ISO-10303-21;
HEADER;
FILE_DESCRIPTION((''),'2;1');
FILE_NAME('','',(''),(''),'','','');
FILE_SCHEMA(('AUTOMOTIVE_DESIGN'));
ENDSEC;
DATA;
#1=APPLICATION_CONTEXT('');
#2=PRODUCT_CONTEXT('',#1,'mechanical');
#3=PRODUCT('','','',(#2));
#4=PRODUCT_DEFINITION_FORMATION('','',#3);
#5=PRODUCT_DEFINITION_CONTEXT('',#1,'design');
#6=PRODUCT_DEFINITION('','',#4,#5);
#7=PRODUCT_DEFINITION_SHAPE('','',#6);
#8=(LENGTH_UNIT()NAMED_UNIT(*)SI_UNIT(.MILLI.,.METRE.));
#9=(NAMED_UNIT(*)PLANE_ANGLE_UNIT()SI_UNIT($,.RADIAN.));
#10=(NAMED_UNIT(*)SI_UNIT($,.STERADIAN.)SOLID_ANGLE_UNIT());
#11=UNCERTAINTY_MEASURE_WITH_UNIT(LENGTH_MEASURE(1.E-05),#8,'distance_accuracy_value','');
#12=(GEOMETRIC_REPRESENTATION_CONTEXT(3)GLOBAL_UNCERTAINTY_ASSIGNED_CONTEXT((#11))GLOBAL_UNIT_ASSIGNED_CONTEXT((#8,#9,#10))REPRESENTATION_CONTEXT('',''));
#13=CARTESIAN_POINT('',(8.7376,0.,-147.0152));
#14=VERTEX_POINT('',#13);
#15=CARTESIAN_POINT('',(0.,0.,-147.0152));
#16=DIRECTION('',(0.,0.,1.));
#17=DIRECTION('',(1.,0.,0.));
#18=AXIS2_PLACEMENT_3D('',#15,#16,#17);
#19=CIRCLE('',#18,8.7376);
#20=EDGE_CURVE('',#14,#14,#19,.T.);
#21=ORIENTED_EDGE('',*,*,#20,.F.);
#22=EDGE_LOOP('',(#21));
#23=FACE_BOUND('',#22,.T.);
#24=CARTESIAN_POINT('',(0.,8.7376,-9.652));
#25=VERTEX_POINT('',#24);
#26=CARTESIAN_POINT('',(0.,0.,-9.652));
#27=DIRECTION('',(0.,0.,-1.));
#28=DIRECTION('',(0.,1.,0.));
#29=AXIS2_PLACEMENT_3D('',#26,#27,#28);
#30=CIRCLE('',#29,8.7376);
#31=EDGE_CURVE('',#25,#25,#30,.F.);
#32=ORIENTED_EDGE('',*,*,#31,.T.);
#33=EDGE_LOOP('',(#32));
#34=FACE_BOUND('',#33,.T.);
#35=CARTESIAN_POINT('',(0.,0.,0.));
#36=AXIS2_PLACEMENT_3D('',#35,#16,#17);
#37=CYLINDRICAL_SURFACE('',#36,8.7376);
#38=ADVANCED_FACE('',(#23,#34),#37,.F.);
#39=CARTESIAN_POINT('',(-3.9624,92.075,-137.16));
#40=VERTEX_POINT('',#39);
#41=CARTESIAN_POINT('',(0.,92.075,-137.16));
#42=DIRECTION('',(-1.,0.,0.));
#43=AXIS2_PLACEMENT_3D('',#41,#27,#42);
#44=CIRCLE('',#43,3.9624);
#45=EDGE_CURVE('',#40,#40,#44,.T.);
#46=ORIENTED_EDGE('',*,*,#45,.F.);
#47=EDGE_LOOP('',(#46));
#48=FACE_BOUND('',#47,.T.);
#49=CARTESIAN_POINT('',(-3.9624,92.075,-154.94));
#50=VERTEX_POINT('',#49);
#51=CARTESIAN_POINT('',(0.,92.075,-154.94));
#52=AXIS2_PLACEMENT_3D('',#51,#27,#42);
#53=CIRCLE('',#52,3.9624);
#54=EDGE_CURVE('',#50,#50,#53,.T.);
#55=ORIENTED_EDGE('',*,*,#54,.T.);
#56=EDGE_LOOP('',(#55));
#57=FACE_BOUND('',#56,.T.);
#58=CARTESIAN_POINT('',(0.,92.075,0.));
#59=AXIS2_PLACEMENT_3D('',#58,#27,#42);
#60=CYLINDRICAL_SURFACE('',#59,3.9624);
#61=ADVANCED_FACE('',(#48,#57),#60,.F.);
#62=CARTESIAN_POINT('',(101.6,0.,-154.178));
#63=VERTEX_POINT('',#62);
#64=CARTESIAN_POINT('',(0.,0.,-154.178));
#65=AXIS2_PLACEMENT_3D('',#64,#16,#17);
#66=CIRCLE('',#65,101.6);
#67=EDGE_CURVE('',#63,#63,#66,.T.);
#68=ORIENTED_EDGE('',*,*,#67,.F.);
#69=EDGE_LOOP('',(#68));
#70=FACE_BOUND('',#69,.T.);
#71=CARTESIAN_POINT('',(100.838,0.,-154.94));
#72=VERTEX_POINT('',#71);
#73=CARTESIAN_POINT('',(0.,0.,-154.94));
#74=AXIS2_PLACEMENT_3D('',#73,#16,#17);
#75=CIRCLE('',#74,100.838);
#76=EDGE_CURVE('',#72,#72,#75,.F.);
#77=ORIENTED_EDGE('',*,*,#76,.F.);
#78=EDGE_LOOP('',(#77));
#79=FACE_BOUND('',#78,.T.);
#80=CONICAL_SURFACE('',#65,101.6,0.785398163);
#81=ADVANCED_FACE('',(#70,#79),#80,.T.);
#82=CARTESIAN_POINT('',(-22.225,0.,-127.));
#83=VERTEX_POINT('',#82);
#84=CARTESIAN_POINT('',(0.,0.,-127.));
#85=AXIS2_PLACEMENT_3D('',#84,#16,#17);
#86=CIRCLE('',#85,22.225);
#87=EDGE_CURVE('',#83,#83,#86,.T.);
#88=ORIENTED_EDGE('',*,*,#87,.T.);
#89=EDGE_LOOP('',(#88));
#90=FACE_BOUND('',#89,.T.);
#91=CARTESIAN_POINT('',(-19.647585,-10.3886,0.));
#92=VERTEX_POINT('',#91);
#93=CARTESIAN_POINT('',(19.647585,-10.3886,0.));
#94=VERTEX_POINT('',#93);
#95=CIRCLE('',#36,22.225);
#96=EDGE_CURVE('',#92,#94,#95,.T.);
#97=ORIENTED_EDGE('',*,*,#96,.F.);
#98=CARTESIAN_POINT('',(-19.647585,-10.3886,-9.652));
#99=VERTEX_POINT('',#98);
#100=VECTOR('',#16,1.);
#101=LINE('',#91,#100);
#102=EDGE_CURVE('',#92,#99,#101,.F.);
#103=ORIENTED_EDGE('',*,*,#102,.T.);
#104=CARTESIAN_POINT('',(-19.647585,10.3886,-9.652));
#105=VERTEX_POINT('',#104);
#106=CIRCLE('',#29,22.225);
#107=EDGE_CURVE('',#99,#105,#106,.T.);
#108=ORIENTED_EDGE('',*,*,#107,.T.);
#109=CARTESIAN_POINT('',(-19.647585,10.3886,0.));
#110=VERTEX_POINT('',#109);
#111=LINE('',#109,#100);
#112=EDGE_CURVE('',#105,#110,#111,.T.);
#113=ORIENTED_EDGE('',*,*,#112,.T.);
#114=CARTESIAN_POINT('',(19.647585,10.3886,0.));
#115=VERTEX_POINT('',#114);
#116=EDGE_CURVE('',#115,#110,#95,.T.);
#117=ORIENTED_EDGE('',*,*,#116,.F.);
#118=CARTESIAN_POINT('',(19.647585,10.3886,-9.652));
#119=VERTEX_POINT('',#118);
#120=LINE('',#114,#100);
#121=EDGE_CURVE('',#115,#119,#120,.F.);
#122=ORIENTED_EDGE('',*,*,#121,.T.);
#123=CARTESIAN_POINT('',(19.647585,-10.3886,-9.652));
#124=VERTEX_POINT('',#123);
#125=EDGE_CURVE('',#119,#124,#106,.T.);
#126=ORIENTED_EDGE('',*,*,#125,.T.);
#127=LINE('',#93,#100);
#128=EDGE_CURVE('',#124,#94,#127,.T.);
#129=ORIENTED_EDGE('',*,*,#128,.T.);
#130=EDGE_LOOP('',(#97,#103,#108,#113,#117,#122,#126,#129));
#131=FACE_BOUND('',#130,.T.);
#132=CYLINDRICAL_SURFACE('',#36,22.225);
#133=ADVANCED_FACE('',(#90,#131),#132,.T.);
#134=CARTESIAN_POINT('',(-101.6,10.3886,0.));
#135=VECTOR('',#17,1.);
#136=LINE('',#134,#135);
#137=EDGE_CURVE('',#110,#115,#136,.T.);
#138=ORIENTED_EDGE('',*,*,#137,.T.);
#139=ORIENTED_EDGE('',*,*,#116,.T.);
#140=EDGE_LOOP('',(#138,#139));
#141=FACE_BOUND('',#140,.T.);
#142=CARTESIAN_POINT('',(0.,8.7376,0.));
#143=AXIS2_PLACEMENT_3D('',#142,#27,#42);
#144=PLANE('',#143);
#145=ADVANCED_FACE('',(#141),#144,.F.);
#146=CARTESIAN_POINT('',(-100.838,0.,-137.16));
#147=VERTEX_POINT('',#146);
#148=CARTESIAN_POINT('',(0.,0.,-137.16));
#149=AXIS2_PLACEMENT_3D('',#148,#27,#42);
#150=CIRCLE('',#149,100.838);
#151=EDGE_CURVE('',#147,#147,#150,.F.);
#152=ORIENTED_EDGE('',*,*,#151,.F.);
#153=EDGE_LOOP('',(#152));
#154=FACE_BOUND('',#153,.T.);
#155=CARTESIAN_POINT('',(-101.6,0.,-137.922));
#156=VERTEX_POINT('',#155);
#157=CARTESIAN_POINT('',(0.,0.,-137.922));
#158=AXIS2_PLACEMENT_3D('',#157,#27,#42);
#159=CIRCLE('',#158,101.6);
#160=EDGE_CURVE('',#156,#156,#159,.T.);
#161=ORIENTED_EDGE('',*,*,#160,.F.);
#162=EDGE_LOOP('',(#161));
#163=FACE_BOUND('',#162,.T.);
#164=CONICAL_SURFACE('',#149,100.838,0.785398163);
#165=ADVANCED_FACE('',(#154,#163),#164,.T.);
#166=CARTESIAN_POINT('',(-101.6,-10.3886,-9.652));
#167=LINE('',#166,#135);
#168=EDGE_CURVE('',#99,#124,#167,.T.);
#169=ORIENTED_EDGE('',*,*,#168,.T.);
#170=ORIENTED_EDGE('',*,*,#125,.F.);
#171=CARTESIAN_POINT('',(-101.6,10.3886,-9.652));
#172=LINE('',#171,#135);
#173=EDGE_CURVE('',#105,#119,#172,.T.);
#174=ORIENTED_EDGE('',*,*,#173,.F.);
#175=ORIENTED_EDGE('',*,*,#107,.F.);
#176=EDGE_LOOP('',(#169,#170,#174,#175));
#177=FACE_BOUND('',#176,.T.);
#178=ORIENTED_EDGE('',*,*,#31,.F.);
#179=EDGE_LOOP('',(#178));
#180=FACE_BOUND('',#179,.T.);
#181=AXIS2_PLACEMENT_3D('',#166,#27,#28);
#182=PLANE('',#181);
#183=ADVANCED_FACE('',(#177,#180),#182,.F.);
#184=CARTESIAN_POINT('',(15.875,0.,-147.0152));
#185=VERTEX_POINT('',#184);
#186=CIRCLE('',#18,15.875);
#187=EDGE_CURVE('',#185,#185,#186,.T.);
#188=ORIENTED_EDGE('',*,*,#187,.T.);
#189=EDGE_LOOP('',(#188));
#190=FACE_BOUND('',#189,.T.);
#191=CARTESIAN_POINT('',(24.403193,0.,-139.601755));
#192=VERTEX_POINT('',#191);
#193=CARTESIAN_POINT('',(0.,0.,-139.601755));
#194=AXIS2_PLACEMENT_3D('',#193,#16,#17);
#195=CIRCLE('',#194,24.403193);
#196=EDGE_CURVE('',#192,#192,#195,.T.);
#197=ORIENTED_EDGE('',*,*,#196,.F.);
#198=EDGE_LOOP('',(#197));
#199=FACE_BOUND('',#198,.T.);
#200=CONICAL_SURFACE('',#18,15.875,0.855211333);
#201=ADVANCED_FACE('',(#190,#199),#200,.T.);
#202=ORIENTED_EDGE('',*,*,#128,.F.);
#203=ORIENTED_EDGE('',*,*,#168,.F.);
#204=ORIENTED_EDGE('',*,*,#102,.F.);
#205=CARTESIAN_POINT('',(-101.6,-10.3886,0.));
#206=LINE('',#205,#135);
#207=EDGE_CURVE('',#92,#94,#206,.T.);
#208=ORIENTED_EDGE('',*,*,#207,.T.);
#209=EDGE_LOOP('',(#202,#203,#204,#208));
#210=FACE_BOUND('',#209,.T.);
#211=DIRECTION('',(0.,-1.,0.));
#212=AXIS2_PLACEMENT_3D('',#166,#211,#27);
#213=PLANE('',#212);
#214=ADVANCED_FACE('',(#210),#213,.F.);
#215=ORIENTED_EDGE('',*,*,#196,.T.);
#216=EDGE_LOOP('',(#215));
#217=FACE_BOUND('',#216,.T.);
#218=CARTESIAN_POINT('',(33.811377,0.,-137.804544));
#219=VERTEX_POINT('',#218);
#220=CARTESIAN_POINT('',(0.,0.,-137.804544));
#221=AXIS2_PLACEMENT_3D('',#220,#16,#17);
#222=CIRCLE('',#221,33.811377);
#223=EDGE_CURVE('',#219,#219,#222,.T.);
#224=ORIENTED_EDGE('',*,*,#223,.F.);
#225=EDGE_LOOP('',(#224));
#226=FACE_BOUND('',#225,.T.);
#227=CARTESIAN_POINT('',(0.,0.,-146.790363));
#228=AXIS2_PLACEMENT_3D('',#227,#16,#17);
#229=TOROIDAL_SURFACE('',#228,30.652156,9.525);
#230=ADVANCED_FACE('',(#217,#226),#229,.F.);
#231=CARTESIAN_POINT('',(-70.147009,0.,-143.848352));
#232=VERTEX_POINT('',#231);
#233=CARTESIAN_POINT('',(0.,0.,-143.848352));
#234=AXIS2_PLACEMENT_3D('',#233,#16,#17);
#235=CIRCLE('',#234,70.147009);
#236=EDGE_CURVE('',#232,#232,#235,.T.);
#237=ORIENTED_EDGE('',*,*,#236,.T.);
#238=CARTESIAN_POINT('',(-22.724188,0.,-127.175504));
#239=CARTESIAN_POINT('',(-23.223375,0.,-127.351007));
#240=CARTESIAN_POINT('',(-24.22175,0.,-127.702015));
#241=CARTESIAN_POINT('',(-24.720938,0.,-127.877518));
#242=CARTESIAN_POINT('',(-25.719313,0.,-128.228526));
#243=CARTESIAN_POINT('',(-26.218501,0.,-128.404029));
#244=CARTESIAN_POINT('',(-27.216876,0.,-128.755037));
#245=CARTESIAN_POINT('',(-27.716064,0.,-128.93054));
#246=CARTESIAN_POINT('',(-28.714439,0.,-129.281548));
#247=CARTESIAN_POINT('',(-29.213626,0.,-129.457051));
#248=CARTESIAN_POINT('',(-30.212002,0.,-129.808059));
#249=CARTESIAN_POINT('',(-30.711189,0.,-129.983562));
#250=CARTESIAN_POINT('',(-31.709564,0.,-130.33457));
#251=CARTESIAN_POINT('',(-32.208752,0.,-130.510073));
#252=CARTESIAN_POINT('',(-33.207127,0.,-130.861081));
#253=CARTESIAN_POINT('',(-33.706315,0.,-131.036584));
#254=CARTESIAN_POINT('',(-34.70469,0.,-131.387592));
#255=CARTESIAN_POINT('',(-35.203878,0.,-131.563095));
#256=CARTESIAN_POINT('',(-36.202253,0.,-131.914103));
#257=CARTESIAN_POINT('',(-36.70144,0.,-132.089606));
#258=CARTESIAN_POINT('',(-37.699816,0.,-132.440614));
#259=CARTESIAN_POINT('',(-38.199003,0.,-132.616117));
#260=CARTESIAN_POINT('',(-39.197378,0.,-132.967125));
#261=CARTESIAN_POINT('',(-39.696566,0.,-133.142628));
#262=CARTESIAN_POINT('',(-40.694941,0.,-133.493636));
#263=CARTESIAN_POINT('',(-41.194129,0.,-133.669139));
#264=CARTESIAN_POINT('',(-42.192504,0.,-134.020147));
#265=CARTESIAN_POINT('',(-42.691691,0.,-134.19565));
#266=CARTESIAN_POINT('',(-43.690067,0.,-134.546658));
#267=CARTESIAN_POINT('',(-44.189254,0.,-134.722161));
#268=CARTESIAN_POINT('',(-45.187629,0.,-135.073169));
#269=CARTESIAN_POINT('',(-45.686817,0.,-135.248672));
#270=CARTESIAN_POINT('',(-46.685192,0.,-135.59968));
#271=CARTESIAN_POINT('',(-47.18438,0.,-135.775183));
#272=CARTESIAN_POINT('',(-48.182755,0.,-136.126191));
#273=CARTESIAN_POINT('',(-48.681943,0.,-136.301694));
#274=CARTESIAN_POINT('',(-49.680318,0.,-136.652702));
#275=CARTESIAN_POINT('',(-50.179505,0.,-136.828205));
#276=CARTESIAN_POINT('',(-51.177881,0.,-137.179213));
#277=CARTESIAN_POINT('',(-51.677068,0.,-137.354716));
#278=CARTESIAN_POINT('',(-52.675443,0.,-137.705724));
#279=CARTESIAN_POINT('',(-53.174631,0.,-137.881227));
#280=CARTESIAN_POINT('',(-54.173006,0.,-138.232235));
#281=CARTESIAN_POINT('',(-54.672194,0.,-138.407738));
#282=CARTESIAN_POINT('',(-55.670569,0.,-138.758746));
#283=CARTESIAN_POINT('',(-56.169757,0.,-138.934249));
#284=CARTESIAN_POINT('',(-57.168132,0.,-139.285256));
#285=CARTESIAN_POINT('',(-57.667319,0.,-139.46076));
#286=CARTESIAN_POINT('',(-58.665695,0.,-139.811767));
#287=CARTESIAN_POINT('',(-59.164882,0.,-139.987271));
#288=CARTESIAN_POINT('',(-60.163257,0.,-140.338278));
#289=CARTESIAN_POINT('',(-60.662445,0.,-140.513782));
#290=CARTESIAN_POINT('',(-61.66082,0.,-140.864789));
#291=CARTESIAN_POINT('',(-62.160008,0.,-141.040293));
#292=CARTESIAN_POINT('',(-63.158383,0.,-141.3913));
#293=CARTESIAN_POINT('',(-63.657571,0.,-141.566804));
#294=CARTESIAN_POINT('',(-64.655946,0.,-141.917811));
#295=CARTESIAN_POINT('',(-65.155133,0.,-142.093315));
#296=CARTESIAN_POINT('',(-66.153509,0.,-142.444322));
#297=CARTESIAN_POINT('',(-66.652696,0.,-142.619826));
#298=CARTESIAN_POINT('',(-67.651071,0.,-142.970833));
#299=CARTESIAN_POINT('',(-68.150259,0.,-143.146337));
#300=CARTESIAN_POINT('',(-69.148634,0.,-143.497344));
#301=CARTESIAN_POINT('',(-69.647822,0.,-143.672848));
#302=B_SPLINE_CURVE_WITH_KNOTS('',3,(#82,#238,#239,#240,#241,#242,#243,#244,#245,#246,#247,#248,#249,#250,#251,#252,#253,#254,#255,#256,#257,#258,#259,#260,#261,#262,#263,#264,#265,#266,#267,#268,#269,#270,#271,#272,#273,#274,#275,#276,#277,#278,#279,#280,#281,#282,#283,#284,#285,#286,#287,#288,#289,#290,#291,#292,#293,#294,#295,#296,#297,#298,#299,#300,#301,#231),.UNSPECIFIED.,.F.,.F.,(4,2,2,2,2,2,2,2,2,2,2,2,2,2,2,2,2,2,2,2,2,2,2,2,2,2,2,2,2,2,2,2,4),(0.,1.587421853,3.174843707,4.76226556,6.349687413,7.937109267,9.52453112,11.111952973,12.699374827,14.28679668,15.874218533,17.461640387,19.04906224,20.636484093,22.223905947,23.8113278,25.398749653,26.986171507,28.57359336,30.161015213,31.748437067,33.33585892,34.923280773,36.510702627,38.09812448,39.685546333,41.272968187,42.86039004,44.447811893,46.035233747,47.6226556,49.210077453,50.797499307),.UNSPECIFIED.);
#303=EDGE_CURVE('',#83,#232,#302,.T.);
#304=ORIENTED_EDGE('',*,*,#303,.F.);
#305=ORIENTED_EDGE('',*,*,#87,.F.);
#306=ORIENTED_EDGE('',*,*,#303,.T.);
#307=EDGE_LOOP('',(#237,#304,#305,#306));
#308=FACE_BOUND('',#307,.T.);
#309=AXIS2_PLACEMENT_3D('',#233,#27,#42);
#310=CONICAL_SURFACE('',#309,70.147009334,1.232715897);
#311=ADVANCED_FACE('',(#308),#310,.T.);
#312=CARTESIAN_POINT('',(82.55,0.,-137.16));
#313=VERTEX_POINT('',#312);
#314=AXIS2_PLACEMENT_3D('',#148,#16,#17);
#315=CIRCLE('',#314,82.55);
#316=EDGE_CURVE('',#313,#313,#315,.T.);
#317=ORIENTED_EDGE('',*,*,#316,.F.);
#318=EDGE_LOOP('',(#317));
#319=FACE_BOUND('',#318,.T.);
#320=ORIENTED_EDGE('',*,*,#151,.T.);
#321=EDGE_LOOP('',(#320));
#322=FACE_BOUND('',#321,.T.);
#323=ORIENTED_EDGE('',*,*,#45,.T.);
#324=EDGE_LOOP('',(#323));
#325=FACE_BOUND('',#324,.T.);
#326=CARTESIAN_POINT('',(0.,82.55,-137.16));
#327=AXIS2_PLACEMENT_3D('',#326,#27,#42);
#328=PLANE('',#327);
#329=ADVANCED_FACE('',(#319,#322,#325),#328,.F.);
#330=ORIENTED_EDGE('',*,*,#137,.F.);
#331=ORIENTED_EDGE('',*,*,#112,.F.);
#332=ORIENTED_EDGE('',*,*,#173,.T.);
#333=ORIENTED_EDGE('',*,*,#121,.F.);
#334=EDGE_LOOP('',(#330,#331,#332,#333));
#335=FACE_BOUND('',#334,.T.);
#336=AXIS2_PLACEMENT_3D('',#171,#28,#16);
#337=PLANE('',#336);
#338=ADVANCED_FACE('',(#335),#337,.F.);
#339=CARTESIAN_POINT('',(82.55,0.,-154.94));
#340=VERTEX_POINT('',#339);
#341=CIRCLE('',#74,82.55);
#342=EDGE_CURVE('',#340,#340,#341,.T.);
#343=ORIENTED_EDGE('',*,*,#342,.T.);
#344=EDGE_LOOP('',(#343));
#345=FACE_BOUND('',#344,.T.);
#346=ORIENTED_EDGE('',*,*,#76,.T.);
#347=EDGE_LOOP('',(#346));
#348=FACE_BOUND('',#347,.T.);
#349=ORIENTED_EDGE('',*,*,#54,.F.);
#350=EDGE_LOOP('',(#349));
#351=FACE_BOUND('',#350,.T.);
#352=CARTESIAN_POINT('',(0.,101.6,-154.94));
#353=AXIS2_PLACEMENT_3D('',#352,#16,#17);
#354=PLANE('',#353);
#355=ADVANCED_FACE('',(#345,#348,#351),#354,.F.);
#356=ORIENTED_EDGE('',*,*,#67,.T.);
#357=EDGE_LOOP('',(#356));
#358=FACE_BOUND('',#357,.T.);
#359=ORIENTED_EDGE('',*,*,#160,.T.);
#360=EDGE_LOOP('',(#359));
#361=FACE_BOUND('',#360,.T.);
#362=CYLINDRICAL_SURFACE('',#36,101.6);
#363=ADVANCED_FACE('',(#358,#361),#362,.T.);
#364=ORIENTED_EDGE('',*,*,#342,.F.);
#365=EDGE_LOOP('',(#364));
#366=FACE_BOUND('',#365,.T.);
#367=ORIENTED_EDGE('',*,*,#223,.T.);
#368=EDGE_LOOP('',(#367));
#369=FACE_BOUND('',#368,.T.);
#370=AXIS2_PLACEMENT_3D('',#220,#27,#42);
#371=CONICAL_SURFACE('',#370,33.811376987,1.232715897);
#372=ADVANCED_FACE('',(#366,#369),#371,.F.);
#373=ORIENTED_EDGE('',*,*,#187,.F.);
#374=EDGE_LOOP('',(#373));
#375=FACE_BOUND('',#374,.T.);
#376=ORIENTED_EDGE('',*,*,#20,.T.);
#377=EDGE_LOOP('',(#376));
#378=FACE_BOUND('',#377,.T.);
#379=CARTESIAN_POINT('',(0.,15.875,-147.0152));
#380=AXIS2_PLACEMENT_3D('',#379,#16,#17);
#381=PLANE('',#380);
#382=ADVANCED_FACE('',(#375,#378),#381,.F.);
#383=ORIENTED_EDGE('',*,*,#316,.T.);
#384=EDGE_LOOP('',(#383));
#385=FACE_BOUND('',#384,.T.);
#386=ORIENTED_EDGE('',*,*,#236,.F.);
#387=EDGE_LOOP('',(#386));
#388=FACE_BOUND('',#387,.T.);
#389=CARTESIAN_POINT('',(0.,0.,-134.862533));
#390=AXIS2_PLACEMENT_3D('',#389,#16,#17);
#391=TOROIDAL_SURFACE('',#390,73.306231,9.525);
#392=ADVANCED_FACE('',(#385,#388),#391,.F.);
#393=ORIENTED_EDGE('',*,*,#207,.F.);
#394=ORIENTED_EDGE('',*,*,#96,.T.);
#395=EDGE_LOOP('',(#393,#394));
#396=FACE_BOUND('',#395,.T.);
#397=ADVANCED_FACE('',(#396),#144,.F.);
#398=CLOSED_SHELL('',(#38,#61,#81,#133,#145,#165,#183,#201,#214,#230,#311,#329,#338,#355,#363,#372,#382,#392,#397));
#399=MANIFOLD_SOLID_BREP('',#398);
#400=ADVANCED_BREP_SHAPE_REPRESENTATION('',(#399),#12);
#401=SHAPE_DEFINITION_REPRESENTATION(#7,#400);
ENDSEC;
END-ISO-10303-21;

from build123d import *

# Parameters (mm, degrees)
CHAMFER1_SIZE           = 0.762
CUT_EXTRUDE1_DEPTH      = 212.309071268
CUT_EXTRUDE1_DEPTH_BACK = 212.309071268
SKETCH2_W               = 9.652
SKETCH2_H               = 20.7772
SKETCH3_R               = 3.9624
CUT_EXTRUDE2_DEPTH      = 212.309071268


with BuildPart() as part:
    # Sketch1 → Revolve1 (revolve)
    with BuildSketch(Plane(origin=(0, 0, 0), x_dir=(0, 0, -1), z_dir=(1, 0, 0)), mode=Mode.PRIVATE) as revolve1_sk:
        with BuildLine():
            Line((0, 8.7376), (0, 22.225))
            Line((0, 22.225), (127, 22.225))
            Line((127, 22.225), (143.848351765, 70.147009334))
            ThreePointArc((143.848351765, 70.147009334), (143.246247988, 77.827175683), (137.16, 82.55))
            Line((137.16, 82.55), (137.16, 101.6))
            Line((137.16, 101.6), (154.94, 101.6))
            Line((154.94, 101.6), (154.94, 82.55))
            Line((154.94, 82.55), (137.804544362, 33.811376987))
            ThreePointArc((137.804544362, 33.811376987), (137.434535895, 28.864946582), (139.601754698, 24.403193264))
            Line((139.601754698, 24.403193264), (147.0152, 15.875))
            Line((147.0152, 15.875), (147.0152, 8.7376))
            Line((147.0152, 8.7376), (0, 8.7376))
        make_face()
    revolve(revolve1_sk.sketch.rotate(Axis((0, 0, 0), (0, 0, -1)), 90), axis=Axis((0, 0, 0), (0, 0, -1)))

    # Chamfer1
    chamfer1_edges = [part.edges().sort_by_distance(p)[0] for p in [
        (-101.6, 0, -154.94),
        (-101.6, 0, -137.16),
    ]]
    chamfer(chamfer1_edges, length=CHAMFER1_SIZE)

    # Sketch2 → Cut-Extrude1 (cut, two sides: drawn at the far end of the back side and taken through both)
    with BuildSketch(Plane(origin=(0, 0, 0), x_dir=(0, 0, -1), z_dir=(1, 0, 0)).offset(-CUT_EXTRUDE1_DEPTH_BACK)):
        with Locations((4.826, 0)):
            Rectangle(SKETCH2_W, SKETCH2_H)
    extrude(amount=CUT_EXTRUDE1_DEPTH + CUT_EXTRUDE1_DEPTH_BACK, mode=Mode.SUBTRACT)

    # Sketch3 → Cut-Extrude2 (cut, through all)
    with BuildSketch(Plane(origin=(0, 0, -154.94), x_dir=(-1, 0, 0), z_dir=(0, 0, -1))):
        with Locations((0, 92.075)):
            Circle(SKETCH3_R)
    extrude(amount=-CUT_EXTRUDE2_DEPTH, mode=Mode.SUBTRACT)


solid = part.part
